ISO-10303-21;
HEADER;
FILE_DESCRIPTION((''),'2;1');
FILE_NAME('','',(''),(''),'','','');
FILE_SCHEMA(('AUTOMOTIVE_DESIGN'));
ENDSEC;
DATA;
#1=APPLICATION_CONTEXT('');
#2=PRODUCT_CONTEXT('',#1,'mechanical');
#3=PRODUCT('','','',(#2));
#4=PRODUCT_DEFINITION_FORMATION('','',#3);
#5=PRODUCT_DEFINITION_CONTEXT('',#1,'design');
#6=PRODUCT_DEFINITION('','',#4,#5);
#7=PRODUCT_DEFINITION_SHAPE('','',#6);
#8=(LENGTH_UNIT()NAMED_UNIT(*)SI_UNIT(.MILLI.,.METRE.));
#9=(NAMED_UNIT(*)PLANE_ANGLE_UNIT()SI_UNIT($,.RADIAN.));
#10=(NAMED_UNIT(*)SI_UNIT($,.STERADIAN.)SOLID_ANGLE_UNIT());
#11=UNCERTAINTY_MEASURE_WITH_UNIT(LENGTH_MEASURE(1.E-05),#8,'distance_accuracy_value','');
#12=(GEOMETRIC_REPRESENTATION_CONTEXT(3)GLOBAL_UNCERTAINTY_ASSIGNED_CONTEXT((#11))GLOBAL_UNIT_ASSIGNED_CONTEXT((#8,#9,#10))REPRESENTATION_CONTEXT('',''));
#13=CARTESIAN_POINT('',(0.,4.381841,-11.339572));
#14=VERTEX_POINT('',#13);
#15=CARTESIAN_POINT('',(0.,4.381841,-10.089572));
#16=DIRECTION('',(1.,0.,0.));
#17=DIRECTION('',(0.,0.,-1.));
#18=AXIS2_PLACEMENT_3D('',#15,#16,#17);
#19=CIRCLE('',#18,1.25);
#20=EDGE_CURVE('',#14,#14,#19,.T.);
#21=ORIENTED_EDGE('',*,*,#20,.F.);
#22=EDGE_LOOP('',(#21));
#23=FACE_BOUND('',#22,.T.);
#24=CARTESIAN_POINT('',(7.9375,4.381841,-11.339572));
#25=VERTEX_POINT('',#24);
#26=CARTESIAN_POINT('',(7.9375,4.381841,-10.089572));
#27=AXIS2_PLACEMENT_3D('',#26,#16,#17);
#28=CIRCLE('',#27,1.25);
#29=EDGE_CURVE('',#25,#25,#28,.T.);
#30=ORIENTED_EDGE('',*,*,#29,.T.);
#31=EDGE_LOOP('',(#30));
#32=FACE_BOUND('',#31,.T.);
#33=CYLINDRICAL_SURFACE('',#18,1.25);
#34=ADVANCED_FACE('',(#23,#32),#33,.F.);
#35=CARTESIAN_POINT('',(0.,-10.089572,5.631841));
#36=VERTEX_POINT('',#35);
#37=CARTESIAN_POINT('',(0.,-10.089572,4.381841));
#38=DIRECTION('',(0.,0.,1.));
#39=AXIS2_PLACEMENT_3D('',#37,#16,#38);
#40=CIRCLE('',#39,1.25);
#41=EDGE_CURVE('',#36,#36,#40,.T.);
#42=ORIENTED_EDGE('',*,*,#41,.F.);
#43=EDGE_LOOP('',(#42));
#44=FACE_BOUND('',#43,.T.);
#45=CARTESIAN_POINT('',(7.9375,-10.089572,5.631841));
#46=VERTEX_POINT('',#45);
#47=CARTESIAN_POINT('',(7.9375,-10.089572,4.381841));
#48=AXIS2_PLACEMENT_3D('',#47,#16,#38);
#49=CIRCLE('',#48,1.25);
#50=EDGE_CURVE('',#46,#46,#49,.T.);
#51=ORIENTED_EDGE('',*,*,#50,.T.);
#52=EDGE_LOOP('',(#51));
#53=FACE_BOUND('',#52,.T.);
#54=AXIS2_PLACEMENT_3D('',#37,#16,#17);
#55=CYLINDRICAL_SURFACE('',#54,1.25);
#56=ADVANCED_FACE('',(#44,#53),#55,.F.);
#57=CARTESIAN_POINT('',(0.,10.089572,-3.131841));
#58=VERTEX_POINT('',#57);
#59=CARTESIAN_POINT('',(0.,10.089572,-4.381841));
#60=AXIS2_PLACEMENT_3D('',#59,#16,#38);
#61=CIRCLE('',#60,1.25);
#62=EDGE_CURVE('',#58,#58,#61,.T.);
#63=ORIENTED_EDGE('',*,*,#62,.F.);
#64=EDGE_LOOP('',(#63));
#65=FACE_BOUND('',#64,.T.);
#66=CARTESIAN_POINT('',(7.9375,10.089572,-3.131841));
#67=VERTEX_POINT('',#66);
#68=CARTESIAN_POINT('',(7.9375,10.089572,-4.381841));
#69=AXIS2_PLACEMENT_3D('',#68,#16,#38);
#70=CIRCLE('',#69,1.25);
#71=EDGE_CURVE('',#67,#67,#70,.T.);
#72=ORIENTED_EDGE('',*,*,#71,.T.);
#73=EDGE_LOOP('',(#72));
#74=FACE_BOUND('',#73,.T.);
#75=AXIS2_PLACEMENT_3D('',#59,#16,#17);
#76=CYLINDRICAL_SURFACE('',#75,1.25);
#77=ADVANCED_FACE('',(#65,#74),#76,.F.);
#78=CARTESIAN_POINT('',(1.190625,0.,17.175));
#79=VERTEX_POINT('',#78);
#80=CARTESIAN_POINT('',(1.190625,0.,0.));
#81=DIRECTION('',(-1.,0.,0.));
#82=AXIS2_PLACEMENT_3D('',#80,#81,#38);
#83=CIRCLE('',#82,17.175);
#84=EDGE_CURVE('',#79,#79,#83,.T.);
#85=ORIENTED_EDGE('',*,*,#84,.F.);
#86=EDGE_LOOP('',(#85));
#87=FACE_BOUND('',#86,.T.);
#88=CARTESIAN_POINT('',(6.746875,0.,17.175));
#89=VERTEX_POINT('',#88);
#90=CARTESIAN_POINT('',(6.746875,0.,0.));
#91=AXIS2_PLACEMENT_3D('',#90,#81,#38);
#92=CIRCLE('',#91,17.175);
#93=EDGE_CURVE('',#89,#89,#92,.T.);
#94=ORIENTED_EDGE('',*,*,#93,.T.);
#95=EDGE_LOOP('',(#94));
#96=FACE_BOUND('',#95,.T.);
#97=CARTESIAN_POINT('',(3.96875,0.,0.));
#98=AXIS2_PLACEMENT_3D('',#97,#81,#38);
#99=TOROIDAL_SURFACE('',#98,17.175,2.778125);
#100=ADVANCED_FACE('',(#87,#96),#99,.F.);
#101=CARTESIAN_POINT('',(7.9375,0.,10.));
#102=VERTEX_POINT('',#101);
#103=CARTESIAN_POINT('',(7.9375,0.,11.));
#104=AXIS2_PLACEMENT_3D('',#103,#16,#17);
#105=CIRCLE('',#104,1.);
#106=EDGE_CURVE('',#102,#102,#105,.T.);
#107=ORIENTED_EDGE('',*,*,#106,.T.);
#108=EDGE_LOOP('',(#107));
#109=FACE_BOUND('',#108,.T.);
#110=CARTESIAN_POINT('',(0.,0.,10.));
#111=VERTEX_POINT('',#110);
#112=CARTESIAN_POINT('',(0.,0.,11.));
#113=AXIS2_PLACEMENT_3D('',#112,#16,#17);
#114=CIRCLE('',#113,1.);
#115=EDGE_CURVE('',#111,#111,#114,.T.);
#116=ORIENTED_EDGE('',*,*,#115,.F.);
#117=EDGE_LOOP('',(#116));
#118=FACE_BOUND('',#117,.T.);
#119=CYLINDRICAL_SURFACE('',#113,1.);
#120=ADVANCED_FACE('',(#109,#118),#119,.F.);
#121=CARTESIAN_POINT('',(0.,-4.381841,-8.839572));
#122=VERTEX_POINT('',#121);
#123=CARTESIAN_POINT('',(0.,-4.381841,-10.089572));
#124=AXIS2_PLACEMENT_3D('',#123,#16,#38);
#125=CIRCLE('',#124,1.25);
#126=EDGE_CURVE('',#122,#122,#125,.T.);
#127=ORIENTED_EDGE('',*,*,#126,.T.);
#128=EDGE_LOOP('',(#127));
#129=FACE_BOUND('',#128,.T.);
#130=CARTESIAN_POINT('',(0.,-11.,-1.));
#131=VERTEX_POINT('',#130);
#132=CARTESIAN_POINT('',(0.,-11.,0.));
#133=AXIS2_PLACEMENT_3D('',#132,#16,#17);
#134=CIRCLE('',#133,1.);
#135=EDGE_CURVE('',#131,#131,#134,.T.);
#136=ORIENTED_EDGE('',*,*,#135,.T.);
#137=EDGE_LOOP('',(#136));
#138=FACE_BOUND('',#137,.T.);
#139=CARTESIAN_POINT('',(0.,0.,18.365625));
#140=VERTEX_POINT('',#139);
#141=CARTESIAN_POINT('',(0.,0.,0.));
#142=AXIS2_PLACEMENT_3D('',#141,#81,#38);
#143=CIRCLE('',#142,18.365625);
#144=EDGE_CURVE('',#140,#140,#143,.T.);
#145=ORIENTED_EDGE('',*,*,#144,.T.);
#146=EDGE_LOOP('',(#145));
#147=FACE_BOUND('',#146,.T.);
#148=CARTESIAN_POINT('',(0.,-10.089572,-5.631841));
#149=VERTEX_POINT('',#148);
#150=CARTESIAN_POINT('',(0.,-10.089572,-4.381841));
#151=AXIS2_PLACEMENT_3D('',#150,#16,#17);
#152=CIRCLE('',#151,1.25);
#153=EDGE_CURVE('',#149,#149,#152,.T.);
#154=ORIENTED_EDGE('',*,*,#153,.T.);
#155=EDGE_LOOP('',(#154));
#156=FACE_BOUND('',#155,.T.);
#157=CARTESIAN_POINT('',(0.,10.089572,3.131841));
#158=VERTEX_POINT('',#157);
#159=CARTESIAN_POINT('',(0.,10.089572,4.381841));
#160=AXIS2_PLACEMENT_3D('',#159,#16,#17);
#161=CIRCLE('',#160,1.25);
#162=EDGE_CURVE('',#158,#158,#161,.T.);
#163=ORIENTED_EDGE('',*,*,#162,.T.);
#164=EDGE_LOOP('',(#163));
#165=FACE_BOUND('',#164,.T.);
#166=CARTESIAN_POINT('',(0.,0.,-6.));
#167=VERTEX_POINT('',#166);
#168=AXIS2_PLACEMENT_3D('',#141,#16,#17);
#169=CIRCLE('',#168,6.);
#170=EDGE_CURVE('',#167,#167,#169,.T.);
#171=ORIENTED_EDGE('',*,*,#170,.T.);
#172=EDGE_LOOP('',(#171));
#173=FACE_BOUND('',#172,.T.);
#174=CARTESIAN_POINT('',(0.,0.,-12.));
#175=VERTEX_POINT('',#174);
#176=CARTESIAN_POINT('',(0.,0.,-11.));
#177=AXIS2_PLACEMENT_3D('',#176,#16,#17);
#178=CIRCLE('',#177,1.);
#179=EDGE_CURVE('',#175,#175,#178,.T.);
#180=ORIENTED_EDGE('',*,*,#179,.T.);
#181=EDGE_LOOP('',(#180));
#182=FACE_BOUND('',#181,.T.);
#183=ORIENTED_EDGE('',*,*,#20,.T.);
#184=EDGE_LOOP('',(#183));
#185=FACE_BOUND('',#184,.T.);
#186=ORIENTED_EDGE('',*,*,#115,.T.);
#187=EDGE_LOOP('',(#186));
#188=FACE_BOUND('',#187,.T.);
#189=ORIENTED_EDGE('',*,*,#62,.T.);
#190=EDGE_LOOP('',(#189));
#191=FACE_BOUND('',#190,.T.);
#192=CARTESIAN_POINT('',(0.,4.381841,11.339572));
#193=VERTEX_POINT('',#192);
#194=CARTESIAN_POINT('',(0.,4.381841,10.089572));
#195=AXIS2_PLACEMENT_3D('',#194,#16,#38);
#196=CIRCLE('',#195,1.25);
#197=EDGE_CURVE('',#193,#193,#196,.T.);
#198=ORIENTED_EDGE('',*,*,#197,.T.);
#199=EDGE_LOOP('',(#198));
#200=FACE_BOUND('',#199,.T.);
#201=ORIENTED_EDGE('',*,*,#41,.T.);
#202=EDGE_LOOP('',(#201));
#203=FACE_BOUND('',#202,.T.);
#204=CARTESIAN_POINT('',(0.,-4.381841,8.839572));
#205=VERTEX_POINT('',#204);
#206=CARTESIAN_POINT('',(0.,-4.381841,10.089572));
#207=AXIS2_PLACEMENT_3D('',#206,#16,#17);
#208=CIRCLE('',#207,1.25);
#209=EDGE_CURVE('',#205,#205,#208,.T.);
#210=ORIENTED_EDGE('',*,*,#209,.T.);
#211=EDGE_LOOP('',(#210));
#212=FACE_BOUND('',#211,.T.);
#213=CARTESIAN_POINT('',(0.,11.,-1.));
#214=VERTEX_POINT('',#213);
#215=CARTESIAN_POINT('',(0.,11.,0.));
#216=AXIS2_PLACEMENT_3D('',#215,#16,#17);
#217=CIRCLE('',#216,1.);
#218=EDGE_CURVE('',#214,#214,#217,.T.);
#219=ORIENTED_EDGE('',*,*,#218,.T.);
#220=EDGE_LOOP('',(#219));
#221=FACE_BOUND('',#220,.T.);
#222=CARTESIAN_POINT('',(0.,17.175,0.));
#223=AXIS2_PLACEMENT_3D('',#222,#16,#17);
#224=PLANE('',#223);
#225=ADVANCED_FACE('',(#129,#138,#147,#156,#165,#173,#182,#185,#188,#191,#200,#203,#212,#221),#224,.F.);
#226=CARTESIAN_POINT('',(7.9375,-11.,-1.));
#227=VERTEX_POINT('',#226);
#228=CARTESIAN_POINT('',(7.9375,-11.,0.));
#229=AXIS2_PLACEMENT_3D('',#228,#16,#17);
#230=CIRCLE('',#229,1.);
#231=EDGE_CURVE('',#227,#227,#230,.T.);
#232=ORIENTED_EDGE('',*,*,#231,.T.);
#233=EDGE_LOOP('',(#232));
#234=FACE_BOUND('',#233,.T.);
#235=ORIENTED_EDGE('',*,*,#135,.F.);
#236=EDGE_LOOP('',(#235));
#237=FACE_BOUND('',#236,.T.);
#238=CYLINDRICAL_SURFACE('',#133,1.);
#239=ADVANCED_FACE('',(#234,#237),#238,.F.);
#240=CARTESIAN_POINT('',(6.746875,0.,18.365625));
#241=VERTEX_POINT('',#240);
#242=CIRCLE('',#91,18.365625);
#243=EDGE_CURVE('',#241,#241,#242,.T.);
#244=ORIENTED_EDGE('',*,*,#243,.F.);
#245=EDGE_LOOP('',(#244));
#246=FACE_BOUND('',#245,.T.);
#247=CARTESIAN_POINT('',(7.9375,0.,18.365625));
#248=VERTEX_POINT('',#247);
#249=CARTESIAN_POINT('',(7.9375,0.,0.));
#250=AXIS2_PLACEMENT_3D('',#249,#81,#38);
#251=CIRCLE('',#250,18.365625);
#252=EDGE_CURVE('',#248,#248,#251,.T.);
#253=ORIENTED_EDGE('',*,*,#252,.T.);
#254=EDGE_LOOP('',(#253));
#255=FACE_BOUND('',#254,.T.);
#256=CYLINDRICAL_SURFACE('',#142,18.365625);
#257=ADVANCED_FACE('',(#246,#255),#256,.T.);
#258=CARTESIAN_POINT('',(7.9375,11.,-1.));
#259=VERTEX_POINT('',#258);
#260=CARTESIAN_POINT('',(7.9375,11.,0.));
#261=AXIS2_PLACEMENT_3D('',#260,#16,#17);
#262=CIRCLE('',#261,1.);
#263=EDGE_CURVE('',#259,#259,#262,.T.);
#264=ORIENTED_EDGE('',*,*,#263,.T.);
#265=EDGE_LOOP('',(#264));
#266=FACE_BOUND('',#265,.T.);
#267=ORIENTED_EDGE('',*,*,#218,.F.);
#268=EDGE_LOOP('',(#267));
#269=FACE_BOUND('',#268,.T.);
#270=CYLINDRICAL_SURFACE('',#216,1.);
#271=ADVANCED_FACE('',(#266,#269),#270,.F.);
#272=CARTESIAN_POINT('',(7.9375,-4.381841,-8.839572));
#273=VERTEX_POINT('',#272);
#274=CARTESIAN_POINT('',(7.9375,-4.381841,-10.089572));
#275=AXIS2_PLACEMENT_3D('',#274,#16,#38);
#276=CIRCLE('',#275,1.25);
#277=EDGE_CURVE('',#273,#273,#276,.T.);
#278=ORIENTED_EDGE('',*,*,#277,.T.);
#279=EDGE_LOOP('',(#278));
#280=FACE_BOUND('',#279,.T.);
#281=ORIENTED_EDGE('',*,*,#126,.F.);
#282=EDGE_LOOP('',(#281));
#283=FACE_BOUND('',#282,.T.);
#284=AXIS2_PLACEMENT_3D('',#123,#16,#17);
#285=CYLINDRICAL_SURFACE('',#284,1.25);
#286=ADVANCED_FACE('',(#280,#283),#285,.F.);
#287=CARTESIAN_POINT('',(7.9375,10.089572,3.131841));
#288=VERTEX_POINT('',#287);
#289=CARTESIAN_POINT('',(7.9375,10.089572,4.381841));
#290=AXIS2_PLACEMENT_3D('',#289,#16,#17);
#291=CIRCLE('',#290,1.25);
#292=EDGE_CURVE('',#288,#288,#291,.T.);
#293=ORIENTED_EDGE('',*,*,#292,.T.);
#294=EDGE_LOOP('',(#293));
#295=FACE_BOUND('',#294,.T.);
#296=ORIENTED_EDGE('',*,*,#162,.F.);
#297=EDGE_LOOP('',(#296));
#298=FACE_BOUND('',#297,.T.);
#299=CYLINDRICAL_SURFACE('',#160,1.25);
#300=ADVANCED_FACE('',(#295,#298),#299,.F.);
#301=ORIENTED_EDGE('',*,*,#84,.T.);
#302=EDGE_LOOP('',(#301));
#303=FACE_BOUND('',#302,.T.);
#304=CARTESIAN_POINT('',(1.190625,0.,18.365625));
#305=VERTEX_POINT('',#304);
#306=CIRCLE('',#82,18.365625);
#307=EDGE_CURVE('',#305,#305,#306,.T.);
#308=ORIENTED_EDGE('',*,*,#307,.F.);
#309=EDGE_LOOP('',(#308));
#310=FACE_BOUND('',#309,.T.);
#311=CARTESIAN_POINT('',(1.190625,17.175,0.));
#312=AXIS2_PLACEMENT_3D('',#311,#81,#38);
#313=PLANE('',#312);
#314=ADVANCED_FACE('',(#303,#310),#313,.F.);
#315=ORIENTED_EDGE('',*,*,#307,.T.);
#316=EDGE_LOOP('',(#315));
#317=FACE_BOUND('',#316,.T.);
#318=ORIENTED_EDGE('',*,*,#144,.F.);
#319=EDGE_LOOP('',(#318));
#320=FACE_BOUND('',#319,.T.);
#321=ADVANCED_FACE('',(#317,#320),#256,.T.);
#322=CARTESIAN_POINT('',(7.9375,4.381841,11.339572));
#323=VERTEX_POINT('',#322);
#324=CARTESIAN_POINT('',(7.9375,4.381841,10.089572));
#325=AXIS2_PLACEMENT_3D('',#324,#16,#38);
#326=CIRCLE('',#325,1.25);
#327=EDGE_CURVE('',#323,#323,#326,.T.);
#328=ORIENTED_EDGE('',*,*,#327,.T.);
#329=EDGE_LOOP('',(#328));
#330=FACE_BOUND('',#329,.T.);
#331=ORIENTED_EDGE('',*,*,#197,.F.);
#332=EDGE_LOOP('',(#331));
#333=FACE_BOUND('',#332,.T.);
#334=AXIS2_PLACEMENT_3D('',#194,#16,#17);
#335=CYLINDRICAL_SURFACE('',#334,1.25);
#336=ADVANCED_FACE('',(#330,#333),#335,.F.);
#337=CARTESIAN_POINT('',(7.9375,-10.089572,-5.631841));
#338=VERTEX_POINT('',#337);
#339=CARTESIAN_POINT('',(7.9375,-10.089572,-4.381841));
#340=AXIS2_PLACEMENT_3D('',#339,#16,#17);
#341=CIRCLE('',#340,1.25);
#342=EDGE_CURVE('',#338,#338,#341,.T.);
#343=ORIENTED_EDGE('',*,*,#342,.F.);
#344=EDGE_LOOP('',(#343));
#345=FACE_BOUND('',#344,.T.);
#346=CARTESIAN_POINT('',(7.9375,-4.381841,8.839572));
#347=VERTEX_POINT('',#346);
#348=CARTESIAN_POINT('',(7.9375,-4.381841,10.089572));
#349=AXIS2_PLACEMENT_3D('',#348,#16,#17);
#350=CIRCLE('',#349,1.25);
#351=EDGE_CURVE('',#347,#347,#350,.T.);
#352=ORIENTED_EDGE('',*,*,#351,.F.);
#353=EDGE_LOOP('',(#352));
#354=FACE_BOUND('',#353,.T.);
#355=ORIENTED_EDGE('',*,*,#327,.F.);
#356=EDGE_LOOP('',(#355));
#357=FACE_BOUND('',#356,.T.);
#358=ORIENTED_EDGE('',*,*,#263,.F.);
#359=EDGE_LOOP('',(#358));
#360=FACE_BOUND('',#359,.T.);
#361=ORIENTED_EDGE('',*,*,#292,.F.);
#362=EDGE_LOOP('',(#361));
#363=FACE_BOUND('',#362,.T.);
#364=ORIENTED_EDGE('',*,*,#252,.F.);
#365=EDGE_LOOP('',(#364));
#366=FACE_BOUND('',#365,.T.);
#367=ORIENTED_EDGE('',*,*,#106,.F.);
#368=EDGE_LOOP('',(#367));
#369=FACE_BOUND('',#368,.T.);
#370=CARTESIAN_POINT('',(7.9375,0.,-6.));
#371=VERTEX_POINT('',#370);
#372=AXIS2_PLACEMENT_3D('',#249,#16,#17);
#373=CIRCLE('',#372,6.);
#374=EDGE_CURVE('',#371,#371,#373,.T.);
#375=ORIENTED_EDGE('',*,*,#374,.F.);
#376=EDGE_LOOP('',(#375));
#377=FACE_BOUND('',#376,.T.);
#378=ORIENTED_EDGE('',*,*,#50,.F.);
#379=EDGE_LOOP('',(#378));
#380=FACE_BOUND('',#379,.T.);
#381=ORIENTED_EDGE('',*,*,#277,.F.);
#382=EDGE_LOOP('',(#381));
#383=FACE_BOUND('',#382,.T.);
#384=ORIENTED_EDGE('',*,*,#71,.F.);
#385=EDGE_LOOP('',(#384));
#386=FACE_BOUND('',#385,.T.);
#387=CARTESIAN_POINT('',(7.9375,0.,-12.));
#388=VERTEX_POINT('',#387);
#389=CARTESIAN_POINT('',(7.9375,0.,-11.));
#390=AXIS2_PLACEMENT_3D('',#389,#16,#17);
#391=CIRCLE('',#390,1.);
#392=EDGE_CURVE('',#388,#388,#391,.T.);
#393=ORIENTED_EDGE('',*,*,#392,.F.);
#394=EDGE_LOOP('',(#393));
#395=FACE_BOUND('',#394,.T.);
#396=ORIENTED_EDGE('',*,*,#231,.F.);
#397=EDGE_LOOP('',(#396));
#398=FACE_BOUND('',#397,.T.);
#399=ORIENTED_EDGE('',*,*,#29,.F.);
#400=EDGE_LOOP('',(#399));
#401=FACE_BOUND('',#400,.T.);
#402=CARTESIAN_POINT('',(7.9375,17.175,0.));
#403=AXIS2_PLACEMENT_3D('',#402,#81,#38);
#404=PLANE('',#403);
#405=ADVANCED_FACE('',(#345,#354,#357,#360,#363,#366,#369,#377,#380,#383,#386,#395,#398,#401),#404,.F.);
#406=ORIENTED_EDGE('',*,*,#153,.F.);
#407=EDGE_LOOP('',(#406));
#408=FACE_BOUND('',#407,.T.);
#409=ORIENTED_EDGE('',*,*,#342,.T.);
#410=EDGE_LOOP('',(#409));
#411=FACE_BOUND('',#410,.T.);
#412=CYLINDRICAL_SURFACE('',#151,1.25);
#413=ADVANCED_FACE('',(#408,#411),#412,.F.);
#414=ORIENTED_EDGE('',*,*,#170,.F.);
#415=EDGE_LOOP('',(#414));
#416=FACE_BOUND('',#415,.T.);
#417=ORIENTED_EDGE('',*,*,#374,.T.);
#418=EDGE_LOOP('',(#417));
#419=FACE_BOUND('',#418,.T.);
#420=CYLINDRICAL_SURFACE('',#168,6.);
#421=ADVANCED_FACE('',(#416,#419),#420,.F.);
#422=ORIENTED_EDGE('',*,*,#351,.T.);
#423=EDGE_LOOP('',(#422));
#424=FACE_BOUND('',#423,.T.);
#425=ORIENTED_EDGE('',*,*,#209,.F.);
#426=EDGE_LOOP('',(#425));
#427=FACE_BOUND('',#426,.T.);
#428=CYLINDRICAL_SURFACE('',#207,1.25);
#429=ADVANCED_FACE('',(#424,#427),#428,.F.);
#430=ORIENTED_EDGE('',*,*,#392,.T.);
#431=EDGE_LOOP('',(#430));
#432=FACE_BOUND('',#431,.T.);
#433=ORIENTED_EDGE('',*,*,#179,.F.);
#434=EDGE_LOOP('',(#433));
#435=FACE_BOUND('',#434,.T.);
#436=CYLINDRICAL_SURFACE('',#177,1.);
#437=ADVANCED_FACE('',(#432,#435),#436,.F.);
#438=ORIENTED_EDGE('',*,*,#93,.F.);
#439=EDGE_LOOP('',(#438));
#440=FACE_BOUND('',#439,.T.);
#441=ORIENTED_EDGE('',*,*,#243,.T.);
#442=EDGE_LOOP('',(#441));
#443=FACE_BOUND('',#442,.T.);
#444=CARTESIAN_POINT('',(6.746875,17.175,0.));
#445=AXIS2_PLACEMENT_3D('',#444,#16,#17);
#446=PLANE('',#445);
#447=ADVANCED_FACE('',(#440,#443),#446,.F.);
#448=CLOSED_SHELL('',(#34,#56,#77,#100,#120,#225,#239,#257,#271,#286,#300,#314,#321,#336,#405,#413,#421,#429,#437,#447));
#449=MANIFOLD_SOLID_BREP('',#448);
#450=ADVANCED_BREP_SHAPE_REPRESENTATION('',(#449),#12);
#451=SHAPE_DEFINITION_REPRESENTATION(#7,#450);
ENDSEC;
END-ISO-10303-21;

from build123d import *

# Parameters (mm, degrees)
SKETCH3_R      = 6
EXTRUDE1_DEPTH = 8.9375
SKETCH4_R      = 1
SKETCH4_R_2    = 1.25
EXTRUDE2_DEPTH = 8.9375


with BuildPart() as part:
    # Sketch1 → Revolve1 (revolve)
    with BuildSketch(Plane.XY):
        with BuildLine():
            Line((0, 0), (7.9375, 0))
            Line((7.9375, 0), (7.9375, 14))
            Line((7.9375, 14), (7.9375, 17.175))
            Line((7.9375, 17.175), (7.9375, 18.365625))
            Line((7.9375, 18.365625), (6.746875, 18.365625))
            Line((6.746875, 18.365625), (6.746875, 17.175))
            ThreePointArc((6.746875, 17.175), (3.96875, 14.396875), (1.190625, 17.175))
            Line((1.190625, 17.175), (1.190625, 18.365625))
            Line((1.190625, 18.365625), (0, 18.365625))
            Line((0, 18.365625), (0, 17.175))
            Line((0, 17.175), (0, 14))
            Line((0, 14), (0, 0))
        make_face()
    revolve(axis=Axis((0, 0, 0), (1, 0, 0)))

    # Sketch3 → Extrude1 (cut, through all)
    with BuildSketch(Plane(origin=(7.9375, 0, 0), x_dir=(0, 0, -1), z_dir=(1, 0, 0))):
        Circle(SKETCH3_R)
    extrude(amount=-EXTRUDE1_DEPTH, mode=Mode.SUBTRACT)

    # Sketch4 → Extrude2 (cut, through all)
    with BuildSketch(Plane(origin=(7.9375, 0, 0), x_dir=(0, 0, -1), z_dir=(1, 0, 0))):
        with Locations((0, 11)):
            Circle(SKETCH4_R)
        with Locations((-4.381841494, 10.089572098)):
            Circle(SKETCH4_R_2)
        with Locations((4.381841494, 10.089572098)):
            Circle(SKETCH4_R_2)
        with Locations((10.089572098, -4.381841494)):
            Circle(SKETCH4_R_2)
        with Locations((11, 0)):
            Circle(SKETCH4_R)
        with Locations((10.089572098, 4.381841494)):
            Circle(SKETCH4_R_2)
        with Locations((-4.381841494, -10.089572098)):
            Circle(SKETCH4_R_2)
        with Locations((0, -11)):
            Circle(SKETCH4_R)
        with Locations((4.381841494, -10.089572098)):
            Circle(SKETCH4_R_2)
        with Locations((-10.089572098, 4.381841494)):
            Circle(SKETCH4_R_2)
        with Locations((-11, 0)):
            Circle(SKETCH4_R)
        with Locations((-10.089572098, -4.381841494)):
            Circle(SKETCH4_R_2)
    extrude(amount=-EXTRUDE2_DEPTH, mode=Mode.SUBTRACT)


solid = part.part
